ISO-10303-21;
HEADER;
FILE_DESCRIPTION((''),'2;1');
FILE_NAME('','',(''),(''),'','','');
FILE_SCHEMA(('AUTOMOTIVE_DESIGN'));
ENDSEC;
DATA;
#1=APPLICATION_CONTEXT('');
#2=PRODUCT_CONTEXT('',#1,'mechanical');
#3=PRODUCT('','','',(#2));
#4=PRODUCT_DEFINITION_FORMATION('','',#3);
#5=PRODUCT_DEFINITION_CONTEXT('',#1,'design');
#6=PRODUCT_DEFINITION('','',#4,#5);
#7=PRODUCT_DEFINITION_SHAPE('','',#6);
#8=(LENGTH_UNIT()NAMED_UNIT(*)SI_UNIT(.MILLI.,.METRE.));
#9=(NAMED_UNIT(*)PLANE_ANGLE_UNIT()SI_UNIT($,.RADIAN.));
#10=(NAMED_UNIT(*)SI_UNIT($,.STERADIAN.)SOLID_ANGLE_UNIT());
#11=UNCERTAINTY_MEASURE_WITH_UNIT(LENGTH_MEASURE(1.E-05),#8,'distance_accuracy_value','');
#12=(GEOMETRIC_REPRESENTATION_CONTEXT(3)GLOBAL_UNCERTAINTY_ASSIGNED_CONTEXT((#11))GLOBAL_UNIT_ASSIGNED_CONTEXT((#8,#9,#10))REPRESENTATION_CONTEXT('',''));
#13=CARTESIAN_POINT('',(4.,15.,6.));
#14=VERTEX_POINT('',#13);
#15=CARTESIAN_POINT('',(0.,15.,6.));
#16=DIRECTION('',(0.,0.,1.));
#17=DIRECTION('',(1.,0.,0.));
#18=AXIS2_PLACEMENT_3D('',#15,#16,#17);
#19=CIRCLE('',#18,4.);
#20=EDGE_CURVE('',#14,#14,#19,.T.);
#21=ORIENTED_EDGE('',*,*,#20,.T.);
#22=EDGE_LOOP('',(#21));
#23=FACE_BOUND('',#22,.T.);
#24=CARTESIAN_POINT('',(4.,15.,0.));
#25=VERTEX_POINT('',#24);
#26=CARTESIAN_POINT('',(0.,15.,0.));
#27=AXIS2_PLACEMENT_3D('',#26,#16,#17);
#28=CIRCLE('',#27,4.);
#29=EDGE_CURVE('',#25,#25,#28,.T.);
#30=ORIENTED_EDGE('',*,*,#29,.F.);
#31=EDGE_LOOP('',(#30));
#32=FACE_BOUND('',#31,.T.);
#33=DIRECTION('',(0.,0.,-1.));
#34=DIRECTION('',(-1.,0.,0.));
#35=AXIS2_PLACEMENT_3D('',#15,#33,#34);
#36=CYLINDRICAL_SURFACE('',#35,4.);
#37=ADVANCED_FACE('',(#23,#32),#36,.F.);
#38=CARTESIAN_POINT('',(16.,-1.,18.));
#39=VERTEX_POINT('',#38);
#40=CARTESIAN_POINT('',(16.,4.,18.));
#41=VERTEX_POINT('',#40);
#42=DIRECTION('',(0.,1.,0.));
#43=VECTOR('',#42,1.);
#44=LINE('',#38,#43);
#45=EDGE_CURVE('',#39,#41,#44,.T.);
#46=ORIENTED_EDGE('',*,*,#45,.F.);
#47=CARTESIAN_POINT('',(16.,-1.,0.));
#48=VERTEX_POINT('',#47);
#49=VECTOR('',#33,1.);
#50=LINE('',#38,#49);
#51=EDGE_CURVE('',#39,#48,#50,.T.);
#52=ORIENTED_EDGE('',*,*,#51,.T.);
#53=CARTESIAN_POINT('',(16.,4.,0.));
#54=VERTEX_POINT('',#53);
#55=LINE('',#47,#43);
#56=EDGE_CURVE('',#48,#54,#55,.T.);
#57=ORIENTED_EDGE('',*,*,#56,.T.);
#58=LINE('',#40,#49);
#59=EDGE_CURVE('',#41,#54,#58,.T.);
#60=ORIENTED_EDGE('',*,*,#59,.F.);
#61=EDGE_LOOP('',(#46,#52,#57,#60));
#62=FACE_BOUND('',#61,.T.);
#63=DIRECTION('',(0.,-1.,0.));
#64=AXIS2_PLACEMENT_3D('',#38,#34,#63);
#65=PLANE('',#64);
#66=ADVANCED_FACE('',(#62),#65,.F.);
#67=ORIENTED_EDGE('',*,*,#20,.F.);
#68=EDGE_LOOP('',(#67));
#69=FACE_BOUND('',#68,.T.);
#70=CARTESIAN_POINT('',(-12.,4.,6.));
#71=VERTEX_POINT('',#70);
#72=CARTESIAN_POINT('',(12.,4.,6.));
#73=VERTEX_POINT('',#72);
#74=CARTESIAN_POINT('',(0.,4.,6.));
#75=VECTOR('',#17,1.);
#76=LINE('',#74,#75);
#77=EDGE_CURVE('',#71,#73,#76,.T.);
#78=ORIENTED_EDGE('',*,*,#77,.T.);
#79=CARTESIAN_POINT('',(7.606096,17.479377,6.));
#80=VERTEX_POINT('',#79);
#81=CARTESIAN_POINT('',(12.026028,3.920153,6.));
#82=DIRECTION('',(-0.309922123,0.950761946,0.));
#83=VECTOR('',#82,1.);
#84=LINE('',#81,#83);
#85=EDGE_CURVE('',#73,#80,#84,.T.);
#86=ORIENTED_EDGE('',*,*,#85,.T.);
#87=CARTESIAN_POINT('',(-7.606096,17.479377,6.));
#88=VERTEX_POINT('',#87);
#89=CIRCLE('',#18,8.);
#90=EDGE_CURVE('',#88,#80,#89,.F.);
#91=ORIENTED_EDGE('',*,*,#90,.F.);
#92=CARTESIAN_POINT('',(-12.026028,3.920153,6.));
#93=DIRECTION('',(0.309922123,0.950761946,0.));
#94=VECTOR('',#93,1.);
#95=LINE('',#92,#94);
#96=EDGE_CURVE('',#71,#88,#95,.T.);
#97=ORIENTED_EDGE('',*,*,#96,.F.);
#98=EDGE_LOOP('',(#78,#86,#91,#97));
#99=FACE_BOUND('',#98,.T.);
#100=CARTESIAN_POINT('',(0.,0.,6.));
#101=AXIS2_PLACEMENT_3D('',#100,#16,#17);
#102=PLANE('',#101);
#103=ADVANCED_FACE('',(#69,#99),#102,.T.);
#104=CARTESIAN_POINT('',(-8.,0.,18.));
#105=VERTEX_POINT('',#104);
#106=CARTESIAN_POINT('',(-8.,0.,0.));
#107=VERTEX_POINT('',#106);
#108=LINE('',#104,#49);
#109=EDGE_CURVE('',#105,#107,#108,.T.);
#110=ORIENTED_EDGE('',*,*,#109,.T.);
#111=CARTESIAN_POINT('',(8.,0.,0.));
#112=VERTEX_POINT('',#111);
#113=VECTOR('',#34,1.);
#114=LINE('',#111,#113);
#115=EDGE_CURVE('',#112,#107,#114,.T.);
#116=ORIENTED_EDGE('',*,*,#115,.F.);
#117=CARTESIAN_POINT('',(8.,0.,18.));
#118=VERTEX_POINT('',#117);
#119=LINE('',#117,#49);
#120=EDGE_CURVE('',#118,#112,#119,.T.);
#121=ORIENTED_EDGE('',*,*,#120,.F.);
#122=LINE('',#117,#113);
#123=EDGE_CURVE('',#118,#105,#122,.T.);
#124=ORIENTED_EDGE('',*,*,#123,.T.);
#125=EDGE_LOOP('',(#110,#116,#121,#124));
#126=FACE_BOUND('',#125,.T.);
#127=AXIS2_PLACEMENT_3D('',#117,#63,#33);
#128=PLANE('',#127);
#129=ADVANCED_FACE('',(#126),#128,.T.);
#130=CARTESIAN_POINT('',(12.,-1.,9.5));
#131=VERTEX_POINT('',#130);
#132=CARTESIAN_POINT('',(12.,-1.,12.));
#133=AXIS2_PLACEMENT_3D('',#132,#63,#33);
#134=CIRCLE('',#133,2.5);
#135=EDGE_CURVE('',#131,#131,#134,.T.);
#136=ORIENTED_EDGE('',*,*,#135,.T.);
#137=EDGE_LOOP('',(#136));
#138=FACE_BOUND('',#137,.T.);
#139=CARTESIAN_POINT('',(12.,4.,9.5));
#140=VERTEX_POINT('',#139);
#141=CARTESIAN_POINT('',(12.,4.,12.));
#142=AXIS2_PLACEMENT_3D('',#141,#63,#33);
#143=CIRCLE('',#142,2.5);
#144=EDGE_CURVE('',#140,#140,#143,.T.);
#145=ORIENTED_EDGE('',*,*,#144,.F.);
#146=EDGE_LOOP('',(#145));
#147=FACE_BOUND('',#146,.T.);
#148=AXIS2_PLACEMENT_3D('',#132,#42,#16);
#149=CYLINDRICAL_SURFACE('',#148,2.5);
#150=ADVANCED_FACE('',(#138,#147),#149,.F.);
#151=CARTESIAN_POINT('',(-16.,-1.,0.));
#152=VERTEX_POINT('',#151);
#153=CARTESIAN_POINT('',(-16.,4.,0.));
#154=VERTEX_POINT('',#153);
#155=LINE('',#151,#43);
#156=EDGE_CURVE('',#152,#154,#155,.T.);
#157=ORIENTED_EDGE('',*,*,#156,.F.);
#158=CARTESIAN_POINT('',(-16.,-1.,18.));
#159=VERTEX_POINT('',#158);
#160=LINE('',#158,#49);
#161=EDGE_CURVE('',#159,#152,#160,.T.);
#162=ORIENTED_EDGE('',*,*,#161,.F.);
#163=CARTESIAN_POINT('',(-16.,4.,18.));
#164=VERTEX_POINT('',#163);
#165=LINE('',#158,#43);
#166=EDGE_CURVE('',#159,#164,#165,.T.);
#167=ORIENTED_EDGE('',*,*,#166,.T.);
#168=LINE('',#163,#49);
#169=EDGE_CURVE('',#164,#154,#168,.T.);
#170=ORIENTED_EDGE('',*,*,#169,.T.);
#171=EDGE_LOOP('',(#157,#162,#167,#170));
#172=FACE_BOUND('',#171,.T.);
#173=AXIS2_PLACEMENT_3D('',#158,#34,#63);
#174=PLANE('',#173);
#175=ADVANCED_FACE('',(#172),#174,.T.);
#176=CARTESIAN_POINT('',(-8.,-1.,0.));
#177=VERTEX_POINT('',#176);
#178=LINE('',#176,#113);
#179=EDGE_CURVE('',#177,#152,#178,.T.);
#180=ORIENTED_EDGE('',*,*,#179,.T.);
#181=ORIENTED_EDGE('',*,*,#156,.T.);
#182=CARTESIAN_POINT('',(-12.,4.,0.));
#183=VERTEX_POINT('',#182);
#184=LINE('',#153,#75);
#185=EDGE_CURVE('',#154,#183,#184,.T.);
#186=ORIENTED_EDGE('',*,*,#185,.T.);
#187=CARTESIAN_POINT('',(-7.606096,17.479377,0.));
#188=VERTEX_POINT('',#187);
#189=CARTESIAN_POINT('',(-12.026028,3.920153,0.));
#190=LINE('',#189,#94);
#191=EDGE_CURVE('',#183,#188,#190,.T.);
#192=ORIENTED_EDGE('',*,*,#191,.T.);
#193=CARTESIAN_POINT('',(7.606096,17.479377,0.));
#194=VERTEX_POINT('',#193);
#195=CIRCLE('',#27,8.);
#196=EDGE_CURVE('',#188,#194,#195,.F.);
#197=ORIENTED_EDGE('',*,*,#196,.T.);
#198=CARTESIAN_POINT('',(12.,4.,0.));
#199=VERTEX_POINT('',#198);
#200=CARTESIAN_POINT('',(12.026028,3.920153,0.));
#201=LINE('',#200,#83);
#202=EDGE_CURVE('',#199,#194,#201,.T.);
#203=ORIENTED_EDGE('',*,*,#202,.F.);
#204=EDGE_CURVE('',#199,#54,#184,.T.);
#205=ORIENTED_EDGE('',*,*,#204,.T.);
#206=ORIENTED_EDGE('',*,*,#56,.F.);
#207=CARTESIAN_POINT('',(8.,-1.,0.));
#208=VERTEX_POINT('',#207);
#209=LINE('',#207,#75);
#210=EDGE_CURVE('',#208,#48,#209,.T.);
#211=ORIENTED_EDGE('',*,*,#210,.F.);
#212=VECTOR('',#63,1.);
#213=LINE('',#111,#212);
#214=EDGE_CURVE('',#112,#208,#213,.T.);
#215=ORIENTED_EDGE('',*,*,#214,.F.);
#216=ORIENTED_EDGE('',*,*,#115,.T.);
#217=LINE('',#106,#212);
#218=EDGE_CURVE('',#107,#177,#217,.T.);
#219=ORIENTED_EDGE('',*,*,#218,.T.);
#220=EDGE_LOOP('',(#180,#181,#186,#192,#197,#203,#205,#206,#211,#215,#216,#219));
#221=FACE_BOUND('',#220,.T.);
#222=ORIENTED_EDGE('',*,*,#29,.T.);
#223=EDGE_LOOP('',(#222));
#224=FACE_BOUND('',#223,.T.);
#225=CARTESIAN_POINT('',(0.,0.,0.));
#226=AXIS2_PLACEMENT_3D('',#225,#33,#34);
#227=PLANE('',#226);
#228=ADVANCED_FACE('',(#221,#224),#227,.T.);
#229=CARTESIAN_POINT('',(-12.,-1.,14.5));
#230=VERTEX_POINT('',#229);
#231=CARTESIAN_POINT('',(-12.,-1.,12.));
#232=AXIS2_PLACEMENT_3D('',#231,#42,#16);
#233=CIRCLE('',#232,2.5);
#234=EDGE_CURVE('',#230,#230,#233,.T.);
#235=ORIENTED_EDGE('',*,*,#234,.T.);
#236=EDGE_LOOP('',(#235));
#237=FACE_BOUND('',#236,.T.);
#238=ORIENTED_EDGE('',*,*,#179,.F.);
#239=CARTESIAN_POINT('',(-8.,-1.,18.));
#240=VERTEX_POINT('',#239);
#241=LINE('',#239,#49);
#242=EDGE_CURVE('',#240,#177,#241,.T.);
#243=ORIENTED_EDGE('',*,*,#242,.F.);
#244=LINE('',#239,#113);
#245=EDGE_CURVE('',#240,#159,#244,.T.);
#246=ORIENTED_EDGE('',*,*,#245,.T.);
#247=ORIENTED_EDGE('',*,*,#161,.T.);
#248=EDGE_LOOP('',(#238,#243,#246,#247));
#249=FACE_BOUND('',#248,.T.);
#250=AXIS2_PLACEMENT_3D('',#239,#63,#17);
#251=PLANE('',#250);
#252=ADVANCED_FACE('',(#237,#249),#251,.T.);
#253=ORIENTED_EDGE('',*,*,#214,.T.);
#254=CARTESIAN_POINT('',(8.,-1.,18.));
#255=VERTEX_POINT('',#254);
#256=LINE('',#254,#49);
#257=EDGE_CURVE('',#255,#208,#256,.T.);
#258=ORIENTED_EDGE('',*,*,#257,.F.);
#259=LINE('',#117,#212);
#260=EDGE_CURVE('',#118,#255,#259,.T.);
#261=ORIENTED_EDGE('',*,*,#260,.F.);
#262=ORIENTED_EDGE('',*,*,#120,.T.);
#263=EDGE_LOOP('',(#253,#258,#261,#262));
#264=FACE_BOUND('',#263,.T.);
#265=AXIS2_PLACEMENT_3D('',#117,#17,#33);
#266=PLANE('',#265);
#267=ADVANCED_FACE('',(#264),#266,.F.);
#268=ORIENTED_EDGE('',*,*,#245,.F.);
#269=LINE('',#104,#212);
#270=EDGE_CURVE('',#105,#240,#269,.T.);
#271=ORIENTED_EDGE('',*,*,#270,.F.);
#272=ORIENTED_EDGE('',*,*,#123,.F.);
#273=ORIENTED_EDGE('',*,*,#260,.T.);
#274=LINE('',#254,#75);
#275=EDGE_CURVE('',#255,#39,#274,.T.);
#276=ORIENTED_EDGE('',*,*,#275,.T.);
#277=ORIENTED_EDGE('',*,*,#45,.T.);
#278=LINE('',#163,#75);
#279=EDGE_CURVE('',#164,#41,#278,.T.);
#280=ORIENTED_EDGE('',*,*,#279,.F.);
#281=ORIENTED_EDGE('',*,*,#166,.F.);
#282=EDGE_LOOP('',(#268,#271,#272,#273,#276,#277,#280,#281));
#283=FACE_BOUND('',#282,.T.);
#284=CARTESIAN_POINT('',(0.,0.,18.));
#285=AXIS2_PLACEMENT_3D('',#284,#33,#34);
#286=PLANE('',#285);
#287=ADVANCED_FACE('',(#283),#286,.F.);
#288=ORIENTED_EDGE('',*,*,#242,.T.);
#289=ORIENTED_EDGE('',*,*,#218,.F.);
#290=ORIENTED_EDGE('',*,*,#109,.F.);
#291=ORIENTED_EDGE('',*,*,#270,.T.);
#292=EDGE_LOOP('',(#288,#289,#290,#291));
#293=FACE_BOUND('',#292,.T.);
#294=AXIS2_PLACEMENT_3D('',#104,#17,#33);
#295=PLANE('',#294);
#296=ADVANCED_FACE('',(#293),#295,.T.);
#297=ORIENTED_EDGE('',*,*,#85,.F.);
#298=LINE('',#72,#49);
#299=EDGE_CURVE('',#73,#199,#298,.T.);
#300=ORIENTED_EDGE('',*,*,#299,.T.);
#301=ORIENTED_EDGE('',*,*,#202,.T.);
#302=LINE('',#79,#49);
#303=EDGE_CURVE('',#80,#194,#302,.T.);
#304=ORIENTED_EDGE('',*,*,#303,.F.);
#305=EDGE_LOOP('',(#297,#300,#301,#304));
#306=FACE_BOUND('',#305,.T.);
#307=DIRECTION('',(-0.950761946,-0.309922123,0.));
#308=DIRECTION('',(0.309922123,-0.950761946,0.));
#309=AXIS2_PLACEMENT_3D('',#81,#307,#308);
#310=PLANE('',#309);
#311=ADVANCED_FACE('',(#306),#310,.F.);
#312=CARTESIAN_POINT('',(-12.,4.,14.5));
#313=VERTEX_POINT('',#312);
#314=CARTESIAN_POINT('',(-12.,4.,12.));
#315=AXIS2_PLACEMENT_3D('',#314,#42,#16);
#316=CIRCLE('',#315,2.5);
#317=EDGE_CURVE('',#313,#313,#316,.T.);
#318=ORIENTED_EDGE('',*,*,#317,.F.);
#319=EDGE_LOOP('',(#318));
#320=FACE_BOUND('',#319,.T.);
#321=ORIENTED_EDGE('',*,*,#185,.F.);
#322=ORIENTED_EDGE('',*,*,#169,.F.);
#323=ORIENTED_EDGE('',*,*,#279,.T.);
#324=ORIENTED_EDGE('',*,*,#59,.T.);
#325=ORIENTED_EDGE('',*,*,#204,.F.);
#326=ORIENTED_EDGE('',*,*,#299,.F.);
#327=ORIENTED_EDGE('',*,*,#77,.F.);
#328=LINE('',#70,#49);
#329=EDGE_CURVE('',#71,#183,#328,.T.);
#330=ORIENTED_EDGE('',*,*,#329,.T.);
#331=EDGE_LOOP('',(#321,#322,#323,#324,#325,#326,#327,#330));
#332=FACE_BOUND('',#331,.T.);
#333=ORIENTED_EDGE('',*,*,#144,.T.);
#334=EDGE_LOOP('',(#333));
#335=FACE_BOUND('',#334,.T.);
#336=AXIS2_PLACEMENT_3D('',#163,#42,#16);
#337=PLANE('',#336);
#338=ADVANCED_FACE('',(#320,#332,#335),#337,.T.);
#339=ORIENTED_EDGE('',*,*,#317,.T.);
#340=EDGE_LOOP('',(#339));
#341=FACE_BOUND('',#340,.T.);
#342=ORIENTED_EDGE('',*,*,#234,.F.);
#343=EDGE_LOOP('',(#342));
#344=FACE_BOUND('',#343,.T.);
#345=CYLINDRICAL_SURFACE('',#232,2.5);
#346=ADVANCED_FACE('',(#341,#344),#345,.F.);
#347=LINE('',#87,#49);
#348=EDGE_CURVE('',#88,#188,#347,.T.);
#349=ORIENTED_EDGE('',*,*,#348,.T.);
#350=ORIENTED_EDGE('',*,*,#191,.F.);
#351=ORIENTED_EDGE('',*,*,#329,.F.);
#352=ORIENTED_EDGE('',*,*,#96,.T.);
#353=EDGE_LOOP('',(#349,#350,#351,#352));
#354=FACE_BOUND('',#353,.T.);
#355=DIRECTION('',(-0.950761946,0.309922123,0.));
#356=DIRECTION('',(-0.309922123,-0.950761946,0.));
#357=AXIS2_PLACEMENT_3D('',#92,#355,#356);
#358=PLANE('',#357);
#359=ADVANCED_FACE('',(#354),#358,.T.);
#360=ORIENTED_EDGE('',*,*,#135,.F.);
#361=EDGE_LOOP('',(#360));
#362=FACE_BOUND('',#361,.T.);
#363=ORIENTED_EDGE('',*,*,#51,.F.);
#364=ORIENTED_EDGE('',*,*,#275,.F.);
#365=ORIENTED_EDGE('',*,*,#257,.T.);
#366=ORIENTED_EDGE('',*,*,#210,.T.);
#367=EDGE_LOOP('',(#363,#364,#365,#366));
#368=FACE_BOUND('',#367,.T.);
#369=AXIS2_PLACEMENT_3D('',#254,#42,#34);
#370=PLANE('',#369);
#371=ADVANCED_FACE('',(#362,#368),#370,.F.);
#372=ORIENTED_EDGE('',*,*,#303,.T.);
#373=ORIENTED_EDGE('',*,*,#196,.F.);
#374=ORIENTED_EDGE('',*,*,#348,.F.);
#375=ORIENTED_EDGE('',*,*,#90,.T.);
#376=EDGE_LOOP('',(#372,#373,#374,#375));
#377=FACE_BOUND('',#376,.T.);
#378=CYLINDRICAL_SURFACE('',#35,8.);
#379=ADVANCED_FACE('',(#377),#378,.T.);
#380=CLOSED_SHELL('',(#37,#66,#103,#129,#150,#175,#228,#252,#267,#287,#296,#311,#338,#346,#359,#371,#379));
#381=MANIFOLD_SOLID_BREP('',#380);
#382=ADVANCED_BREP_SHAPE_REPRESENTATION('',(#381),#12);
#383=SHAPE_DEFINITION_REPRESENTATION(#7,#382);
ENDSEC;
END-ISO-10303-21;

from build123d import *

# Parameters (mm, degrees)
EXTRUDE_2_DEPTH     = 18
SKETCH_1_4_R        = 4
EXTRUDE_3_DEPTH     = 6
SKETCH_3_R          = 2.5
CUT_EXTRUDE_2_DEPTH = 31.6757233


with BuildPart() as part:
    # 草图1 → 凸台-拉伸2 (new body)
    with BuildSketch(Plane.XY):
        Polygon((8, 0), (-8, 0), (-8, -1), (-16, -1), (-16, 4), (16, 4), (16, -1), (8, -1), align=None)
    extrude(amount=EXTRUDE_2_DEPTH)

    # 草图1<4> → 凸台-拉伸3 (add)
    with BuildSketch(Plane.XY):
        with BuildLine():
            Line((-12, 4), (12, 4))
            Line((12, 4), (7.606095567, 17.479376982))
            ThreePointArc((7.606095567, 17.479376982), (0, 23), (-7.606095567, 17.479376982))
            Line((-7.606095567, 17.479376982), (-12, 4))
        make_face()
        with Locations((0, 15)):
            Circle(SKETCH_1_4_R, mode=Mode.SUBTRACT)
    extrude(amount=EXTRUDE_3_DEPTH)

    # 草图3 → 切除-拉伸2 (cut, through all)
    with BuildSketch(Plane(origin=(0, 4, 0), x_dir=(1, 0, 0), z_dir=(0, 1, 0))):
        with Locations((-12, -12)):
            Circle(SKETCH_3_R)
        with Locations((12, -12)):
            Circle(SKETCH_3_R)
    extrude(amount=-CUT_EXTRUDE_2_DEPTH, mode=Mode.SUBTRACT)


solid = part.part
